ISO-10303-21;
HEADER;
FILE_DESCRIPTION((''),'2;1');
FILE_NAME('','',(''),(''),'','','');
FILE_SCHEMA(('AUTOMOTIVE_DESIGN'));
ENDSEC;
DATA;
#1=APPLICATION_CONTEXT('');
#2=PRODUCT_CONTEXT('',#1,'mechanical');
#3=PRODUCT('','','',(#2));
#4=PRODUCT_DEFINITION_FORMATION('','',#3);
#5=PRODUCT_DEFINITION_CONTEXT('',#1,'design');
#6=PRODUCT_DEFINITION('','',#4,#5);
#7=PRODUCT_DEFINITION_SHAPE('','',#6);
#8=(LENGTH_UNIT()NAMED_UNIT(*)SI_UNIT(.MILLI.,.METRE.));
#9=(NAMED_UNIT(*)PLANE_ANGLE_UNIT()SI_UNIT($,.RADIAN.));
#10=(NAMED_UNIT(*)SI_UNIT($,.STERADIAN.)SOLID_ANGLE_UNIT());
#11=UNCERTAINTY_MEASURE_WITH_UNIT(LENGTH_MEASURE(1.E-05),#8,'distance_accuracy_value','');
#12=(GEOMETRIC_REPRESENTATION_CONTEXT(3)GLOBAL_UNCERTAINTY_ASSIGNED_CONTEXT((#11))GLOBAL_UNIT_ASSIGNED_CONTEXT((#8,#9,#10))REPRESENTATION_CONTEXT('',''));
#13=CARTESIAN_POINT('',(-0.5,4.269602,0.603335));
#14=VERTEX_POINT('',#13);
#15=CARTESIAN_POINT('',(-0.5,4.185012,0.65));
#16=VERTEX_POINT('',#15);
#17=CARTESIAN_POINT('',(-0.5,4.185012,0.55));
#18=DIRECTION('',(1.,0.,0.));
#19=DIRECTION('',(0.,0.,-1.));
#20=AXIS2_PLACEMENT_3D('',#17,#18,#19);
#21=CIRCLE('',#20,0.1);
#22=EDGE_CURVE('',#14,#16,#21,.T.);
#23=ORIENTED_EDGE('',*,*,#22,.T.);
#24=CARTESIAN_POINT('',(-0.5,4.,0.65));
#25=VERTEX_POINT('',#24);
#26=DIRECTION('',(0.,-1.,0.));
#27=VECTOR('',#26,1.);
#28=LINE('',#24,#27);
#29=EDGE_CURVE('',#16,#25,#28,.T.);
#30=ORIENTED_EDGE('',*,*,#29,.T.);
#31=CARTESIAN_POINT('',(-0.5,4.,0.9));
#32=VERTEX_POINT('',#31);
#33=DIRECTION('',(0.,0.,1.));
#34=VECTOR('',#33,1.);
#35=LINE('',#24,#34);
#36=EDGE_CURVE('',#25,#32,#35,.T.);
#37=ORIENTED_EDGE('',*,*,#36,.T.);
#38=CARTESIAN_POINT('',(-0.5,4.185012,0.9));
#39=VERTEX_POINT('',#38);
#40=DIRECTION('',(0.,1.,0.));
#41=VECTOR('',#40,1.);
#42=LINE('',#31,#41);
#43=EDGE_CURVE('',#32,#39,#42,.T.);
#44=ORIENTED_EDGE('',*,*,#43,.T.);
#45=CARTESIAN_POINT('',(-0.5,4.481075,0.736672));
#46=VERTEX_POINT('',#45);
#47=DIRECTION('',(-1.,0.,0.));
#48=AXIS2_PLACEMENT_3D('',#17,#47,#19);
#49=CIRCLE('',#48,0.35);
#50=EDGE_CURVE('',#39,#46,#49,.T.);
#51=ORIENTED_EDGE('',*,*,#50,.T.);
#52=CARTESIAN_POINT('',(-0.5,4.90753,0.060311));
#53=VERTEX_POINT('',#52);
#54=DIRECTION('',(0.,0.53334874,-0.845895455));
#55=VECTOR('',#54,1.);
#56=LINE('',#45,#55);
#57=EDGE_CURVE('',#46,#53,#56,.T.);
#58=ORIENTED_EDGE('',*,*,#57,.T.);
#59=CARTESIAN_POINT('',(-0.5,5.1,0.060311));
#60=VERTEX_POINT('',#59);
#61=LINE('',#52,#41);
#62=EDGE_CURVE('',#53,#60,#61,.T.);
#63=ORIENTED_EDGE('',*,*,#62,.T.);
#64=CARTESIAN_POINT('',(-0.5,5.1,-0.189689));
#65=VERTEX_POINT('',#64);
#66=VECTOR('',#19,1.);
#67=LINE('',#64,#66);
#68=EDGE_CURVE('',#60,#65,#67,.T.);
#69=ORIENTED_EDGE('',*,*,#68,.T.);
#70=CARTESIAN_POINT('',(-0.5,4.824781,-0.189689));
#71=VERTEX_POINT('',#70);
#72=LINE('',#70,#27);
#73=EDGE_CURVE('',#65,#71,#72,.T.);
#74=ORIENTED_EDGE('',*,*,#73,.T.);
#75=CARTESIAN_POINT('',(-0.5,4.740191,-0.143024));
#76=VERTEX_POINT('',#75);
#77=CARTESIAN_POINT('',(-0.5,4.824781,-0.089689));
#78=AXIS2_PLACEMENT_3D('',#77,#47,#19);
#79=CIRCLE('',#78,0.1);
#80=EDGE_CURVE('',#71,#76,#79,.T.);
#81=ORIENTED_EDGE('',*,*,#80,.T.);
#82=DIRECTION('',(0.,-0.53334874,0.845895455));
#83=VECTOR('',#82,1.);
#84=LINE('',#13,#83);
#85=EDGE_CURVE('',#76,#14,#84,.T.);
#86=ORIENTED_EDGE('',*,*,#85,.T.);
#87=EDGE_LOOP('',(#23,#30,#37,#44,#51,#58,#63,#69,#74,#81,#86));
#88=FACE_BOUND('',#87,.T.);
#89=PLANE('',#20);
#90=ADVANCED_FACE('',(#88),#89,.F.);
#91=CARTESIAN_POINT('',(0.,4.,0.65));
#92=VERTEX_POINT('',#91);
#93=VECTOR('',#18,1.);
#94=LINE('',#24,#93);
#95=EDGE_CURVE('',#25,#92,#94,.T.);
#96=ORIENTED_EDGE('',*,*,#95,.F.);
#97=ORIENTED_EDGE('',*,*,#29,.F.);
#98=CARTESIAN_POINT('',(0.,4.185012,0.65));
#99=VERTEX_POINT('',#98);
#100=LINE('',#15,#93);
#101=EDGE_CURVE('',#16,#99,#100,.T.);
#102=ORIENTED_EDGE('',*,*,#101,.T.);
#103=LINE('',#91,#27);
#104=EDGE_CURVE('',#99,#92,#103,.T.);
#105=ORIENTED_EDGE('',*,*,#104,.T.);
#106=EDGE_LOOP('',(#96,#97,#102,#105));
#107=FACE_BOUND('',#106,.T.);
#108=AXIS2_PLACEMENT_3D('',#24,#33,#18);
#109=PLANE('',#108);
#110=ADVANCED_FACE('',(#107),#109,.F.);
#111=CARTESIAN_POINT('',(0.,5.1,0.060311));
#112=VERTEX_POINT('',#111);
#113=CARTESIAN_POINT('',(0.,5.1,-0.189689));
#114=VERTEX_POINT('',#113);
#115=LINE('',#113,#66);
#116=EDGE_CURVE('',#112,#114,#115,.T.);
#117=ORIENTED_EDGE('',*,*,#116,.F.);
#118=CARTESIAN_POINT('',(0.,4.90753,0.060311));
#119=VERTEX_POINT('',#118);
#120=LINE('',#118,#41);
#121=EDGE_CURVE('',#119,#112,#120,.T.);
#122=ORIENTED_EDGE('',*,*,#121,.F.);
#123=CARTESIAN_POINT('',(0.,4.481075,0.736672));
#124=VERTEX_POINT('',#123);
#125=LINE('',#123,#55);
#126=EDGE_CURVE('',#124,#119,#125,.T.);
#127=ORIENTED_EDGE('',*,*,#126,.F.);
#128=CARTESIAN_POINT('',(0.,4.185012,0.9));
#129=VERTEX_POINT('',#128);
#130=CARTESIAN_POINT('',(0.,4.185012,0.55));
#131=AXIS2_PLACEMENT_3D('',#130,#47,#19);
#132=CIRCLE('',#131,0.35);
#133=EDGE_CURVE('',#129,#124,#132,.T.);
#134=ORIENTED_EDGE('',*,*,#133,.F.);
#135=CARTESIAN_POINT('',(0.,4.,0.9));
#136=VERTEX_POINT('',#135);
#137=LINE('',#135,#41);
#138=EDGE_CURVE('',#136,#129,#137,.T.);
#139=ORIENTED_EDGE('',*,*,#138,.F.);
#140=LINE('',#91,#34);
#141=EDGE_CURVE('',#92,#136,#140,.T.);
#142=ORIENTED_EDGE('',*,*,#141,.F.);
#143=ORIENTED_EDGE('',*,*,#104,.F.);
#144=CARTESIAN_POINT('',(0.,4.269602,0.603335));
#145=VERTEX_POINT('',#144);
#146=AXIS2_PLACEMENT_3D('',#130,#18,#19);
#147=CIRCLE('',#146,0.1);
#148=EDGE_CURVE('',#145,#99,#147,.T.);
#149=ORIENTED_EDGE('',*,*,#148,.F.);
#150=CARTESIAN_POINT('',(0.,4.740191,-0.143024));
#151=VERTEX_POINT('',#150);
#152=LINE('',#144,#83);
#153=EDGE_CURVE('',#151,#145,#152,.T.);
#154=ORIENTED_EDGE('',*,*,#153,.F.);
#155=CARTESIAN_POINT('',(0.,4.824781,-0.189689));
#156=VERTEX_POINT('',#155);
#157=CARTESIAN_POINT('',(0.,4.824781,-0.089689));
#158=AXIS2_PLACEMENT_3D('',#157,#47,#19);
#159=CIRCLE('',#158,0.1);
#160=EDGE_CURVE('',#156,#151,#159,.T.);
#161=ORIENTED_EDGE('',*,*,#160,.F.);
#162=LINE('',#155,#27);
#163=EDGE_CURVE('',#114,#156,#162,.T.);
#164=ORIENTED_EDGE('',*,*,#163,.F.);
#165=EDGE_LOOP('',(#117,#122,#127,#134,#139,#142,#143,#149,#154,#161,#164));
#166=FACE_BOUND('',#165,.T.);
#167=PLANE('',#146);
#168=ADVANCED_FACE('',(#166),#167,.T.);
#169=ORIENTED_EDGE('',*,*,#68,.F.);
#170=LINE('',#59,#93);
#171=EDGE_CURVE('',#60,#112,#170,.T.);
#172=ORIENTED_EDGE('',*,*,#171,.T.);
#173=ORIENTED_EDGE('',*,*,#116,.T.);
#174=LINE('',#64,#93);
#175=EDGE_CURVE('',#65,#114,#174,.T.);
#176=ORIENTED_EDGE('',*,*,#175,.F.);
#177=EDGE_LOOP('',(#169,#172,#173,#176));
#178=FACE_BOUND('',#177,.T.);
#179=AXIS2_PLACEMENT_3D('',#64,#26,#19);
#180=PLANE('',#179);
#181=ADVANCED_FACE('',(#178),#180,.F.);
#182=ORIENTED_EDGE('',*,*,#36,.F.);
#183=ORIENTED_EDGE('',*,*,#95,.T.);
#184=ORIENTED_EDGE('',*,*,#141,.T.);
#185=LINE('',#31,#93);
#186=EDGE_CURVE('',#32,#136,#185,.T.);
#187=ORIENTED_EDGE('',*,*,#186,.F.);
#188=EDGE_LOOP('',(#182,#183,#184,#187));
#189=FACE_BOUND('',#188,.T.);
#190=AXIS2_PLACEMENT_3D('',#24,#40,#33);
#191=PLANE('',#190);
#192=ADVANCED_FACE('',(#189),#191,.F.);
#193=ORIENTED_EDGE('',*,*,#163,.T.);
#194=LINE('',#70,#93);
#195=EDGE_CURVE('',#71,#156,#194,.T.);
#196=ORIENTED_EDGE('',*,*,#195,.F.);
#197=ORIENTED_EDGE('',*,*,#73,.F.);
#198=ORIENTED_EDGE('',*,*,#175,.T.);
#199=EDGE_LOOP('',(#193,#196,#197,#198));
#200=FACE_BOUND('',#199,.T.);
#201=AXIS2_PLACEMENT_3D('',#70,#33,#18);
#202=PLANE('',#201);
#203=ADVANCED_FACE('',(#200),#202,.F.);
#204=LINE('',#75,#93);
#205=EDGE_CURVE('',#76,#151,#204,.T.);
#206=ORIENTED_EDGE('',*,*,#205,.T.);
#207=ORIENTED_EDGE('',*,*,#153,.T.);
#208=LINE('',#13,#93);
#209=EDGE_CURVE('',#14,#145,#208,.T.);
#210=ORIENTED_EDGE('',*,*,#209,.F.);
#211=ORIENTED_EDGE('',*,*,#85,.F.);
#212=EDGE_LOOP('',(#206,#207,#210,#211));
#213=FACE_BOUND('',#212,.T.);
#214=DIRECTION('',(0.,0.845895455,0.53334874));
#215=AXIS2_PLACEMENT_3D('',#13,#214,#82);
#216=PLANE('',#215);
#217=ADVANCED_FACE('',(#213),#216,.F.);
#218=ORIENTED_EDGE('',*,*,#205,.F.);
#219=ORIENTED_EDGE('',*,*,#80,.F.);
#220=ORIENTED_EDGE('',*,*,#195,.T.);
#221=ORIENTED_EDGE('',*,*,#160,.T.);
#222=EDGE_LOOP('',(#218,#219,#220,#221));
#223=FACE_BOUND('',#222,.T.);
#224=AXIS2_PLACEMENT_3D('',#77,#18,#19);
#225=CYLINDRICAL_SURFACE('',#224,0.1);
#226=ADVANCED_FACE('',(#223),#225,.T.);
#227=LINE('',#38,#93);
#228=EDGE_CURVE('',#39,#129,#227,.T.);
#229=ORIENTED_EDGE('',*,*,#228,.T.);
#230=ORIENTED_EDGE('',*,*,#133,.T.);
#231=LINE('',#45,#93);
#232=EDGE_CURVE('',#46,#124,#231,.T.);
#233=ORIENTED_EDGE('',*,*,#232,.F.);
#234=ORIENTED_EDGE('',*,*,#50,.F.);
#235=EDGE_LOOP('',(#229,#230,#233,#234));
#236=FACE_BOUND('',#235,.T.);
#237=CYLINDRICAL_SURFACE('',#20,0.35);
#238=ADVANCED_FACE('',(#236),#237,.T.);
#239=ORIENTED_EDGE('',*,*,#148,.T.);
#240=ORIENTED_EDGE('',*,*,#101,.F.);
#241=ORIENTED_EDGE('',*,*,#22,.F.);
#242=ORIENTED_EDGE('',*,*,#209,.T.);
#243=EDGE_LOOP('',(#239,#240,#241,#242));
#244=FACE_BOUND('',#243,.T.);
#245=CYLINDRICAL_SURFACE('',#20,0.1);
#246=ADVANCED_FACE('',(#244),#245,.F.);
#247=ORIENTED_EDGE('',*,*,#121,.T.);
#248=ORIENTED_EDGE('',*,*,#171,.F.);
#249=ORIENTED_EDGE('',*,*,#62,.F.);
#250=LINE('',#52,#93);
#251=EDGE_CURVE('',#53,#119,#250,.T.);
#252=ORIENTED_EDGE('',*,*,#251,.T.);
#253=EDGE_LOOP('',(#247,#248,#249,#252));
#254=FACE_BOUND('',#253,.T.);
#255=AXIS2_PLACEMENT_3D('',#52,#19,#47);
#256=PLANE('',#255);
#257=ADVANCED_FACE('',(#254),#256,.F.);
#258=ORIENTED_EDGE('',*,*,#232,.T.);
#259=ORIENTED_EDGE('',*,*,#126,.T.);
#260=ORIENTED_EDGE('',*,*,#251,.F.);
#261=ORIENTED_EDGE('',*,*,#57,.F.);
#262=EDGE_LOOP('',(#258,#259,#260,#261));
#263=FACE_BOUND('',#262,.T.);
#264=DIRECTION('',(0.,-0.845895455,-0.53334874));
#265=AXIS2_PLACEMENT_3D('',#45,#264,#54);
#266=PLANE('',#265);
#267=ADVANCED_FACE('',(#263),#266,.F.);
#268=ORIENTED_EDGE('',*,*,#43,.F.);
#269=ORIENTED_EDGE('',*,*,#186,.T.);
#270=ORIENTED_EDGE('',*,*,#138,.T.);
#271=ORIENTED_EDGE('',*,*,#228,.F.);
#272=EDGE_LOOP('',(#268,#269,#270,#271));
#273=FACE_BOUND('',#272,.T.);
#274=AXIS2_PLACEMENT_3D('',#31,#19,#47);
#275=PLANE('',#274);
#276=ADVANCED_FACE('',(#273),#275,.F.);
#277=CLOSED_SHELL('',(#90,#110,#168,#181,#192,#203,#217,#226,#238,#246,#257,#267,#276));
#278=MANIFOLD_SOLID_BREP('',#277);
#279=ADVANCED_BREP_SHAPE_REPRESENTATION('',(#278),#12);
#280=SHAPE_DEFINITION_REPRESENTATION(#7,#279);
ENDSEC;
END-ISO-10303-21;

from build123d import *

# Parameters (mm, degrees)
BOSS_EXTRU_1_DEPTH = 0.5


with BuildPart() as part:
    # Esquisse1 → Boss.-Extru.1 (new body)
    with BuildSketch(Plane.ZY):
        with BuildLine():
            Line((0.65, 4), (0.65, 4.185012068))
            ThreePointArc((0.65, 4.185012068), (0.637559943, 4.23331586), (0.603334874, 4.269601613))
            Line((0.603334874, 4.269601613), (-0.143023698, 4.740190977))
            ThreePointArc((-0.143023698, 4.740190977), (-0.177248768, 4.776476731), (-0.189688824, 4.824780523))
            Line((-0.189688824, 4.824780523), (-0.189688824, 5.1))
            Line((-0.189688824, 5.1), (0.060311176, 5.1))
            Line((0.060311176, 5.1), (0.060311176, 4.907530334))
            Line((0.060311176, 4.907530334), (0.736672059, 4.481075477))
            ThreePointArc((0.736672059, 4.481075477), (0.856459802, 4.354075339), (0.9, 4.185012068))
            Line((0.9, 4.185012068), (0.9, 4))
            Line((0.9, 4), (0.65, 4))
        make_face()
    extrude(amount=BOSS_EXTRU_1_DEPTH)


solid = part.part
